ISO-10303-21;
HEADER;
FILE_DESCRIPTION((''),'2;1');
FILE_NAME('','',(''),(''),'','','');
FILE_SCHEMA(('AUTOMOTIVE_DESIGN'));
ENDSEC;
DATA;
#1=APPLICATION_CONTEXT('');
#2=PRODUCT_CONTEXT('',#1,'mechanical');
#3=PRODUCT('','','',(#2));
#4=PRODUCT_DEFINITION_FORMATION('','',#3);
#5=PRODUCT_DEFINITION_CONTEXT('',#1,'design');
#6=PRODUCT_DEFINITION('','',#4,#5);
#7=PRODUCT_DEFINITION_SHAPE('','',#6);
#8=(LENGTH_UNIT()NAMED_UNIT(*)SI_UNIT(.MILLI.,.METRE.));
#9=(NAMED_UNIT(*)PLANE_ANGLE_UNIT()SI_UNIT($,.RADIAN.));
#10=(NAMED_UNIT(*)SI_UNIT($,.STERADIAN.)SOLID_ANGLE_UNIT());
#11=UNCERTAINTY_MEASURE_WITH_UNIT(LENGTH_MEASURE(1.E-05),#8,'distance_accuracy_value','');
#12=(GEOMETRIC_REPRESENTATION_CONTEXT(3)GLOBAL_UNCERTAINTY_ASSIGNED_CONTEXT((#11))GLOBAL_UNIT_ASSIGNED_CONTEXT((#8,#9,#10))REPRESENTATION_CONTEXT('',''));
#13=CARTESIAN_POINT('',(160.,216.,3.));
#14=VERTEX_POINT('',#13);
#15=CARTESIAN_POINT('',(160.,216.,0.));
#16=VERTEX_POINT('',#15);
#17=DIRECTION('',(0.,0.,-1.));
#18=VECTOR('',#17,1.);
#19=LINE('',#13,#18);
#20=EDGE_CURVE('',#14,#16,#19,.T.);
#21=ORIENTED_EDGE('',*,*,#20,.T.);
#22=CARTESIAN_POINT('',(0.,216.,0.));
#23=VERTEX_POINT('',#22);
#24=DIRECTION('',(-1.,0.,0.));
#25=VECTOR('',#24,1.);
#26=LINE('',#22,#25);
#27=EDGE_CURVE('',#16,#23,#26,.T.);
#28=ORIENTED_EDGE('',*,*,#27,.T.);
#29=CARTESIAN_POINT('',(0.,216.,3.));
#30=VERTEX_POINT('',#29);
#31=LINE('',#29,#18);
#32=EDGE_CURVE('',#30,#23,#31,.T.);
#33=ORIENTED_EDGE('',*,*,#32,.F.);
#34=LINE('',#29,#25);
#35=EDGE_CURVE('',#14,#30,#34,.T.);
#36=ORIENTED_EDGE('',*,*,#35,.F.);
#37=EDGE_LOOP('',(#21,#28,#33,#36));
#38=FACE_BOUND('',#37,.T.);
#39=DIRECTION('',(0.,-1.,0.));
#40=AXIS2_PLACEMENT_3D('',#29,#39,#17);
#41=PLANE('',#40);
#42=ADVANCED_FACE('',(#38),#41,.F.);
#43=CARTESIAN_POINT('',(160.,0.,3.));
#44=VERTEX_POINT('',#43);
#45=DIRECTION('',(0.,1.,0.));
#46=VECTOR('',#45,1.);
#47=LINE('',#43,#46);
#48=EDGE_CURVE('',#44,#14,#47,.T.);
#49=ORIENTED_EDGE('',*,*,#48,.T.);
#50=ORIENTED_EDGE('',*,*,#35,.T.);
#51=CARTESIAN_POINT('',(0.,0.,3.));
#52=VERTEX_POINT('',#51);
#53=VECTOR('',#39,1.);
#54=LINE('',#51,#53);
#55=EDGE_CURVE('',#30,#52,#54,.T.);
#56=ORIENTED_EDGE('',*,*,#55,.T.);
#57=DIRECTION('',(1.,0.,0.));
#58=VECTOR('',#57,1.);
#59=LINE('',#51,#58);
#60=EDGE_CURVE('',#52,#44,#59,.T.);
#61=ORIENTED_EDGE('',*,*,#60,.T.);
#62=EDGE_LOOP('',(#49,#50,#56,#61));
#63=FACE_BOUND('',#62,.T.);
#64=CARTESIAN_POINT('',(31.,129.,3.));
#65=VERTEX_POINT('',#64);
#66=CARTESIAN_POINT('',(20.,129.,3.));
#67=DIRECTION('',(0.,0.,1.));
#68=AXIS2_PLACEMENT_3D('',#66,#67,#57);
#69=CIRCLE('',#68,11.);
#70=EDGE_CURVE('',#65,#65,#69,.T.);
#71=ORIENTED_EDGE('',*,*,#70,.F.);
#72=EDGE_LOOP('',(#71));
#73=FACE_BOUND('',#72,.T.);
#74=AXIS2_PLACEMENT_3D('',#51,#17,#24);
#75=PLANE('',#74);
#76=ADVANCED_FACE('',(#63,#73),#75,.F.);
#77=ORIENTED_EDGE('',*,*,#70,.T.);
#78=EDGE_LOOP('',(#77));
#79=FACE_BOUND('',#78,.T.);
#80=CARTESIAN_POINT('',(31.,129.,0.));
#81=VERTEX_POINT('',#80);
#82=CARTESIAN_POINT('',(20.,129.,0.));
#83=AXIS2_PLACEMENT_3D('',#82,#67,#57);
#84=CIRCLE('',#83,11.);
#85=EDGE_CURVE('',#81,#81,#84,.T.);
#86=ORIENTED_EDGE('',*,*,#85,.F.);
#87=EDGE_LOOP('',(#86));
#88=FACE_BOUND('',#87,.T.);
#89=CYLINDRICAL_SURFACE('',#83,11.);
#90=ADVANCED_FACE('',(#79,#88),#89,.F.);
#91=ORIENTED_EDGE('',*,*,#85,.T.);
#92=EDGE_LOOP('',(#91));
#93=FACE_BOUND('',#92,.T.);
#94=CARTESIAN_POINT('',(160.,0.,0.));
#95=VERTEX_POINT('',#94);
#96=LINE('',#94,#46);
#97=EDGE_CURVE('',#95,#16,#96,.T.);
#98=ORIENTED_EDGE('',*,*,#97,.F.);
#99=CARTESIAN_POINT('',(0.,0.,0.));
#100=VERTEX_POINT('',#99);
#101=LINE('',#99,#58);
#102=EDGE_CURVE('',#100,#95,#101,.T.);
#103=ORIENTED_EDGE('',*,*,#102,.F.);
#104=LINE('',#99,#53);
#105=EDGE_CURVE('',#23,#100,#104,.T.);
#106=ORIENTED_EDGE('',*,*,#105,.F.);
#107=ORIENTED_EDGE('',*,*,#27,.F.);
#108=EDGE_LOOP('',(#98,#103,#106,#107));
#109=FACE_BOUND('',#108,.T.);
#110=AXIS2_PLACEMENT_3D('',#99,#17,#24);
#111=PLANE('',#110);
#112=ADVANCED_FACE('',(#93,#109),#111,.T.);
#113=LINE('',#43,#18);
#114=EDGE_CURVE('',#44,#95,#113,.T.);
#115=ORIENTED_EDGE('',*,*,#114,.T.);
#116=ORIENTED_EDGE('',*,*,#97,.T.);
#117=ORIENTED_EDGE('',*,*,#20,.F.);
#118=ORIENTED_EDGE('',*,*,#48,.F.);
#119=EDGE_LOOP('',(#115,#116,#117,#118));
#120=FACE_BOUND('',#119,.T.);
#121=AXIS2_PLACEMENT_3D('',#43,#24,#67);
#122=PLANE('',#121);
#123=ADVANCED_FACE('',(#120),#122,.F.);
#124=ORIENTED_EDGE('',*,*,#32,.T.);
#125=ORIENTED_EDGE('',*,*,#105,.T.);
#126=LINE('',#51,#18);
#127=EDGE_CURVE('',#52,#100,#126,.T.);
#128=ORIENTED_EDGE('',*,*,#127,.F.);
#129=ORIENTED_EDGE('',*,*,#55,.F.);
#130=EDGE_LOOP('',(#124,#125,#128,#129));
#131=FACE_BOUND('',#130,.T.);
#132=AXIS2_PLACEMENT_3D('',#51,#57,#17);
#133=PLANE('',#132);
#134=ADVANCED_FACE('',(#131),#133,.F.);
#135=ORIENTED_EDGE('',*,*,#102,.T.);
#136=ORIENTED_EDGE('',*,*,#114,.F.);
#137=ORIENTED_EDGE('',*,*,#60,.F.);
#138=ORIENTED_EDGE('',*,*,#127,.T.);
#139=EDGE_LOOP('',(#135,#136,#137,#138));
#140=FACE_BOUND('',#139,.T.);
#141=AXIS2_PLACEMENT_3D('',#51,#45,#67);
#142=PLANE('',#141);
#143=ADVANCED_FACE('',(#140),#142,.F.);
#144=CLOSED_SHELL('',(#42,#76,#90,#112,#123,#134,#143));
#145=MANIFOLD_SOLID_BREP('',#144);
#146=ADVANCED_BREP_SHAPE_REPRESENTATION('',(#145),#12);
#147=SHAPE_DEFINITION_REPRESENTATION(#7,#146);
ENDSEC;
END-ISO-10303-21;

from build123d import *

# Parameters (mm, degrees)
SKETCH1_W           = 160
SKETCH1_H           = 216
BOSS_EXTRUDE1_DEPTH = 3
SKETCH2_R           = 11
CUT_EXTRUDE1_DEPTH  = 3


with BuildPart() as part:
    # Sketch1 → Boss-Extrude1 (new body)
    with BuildSketch(Plane.XY):
        with Locations((80, 108)):
            Rectangle(SKETCH1_W, SKETCH1_H)
    extrude(amount=BOSS_EXTRUDE1_DEPTH)

    # Sketch2 → Cut-Extrude1 (cut)
    with BuildSketch(Plane.XY.offset(3)):
        with Locations((20, 129)):
            Circle(SKETCH2_R)
    extrude(amount=-CUT_EXTRUDE1_DEPTH, mode=Mode.SUBTRACT)


solid = part.part
